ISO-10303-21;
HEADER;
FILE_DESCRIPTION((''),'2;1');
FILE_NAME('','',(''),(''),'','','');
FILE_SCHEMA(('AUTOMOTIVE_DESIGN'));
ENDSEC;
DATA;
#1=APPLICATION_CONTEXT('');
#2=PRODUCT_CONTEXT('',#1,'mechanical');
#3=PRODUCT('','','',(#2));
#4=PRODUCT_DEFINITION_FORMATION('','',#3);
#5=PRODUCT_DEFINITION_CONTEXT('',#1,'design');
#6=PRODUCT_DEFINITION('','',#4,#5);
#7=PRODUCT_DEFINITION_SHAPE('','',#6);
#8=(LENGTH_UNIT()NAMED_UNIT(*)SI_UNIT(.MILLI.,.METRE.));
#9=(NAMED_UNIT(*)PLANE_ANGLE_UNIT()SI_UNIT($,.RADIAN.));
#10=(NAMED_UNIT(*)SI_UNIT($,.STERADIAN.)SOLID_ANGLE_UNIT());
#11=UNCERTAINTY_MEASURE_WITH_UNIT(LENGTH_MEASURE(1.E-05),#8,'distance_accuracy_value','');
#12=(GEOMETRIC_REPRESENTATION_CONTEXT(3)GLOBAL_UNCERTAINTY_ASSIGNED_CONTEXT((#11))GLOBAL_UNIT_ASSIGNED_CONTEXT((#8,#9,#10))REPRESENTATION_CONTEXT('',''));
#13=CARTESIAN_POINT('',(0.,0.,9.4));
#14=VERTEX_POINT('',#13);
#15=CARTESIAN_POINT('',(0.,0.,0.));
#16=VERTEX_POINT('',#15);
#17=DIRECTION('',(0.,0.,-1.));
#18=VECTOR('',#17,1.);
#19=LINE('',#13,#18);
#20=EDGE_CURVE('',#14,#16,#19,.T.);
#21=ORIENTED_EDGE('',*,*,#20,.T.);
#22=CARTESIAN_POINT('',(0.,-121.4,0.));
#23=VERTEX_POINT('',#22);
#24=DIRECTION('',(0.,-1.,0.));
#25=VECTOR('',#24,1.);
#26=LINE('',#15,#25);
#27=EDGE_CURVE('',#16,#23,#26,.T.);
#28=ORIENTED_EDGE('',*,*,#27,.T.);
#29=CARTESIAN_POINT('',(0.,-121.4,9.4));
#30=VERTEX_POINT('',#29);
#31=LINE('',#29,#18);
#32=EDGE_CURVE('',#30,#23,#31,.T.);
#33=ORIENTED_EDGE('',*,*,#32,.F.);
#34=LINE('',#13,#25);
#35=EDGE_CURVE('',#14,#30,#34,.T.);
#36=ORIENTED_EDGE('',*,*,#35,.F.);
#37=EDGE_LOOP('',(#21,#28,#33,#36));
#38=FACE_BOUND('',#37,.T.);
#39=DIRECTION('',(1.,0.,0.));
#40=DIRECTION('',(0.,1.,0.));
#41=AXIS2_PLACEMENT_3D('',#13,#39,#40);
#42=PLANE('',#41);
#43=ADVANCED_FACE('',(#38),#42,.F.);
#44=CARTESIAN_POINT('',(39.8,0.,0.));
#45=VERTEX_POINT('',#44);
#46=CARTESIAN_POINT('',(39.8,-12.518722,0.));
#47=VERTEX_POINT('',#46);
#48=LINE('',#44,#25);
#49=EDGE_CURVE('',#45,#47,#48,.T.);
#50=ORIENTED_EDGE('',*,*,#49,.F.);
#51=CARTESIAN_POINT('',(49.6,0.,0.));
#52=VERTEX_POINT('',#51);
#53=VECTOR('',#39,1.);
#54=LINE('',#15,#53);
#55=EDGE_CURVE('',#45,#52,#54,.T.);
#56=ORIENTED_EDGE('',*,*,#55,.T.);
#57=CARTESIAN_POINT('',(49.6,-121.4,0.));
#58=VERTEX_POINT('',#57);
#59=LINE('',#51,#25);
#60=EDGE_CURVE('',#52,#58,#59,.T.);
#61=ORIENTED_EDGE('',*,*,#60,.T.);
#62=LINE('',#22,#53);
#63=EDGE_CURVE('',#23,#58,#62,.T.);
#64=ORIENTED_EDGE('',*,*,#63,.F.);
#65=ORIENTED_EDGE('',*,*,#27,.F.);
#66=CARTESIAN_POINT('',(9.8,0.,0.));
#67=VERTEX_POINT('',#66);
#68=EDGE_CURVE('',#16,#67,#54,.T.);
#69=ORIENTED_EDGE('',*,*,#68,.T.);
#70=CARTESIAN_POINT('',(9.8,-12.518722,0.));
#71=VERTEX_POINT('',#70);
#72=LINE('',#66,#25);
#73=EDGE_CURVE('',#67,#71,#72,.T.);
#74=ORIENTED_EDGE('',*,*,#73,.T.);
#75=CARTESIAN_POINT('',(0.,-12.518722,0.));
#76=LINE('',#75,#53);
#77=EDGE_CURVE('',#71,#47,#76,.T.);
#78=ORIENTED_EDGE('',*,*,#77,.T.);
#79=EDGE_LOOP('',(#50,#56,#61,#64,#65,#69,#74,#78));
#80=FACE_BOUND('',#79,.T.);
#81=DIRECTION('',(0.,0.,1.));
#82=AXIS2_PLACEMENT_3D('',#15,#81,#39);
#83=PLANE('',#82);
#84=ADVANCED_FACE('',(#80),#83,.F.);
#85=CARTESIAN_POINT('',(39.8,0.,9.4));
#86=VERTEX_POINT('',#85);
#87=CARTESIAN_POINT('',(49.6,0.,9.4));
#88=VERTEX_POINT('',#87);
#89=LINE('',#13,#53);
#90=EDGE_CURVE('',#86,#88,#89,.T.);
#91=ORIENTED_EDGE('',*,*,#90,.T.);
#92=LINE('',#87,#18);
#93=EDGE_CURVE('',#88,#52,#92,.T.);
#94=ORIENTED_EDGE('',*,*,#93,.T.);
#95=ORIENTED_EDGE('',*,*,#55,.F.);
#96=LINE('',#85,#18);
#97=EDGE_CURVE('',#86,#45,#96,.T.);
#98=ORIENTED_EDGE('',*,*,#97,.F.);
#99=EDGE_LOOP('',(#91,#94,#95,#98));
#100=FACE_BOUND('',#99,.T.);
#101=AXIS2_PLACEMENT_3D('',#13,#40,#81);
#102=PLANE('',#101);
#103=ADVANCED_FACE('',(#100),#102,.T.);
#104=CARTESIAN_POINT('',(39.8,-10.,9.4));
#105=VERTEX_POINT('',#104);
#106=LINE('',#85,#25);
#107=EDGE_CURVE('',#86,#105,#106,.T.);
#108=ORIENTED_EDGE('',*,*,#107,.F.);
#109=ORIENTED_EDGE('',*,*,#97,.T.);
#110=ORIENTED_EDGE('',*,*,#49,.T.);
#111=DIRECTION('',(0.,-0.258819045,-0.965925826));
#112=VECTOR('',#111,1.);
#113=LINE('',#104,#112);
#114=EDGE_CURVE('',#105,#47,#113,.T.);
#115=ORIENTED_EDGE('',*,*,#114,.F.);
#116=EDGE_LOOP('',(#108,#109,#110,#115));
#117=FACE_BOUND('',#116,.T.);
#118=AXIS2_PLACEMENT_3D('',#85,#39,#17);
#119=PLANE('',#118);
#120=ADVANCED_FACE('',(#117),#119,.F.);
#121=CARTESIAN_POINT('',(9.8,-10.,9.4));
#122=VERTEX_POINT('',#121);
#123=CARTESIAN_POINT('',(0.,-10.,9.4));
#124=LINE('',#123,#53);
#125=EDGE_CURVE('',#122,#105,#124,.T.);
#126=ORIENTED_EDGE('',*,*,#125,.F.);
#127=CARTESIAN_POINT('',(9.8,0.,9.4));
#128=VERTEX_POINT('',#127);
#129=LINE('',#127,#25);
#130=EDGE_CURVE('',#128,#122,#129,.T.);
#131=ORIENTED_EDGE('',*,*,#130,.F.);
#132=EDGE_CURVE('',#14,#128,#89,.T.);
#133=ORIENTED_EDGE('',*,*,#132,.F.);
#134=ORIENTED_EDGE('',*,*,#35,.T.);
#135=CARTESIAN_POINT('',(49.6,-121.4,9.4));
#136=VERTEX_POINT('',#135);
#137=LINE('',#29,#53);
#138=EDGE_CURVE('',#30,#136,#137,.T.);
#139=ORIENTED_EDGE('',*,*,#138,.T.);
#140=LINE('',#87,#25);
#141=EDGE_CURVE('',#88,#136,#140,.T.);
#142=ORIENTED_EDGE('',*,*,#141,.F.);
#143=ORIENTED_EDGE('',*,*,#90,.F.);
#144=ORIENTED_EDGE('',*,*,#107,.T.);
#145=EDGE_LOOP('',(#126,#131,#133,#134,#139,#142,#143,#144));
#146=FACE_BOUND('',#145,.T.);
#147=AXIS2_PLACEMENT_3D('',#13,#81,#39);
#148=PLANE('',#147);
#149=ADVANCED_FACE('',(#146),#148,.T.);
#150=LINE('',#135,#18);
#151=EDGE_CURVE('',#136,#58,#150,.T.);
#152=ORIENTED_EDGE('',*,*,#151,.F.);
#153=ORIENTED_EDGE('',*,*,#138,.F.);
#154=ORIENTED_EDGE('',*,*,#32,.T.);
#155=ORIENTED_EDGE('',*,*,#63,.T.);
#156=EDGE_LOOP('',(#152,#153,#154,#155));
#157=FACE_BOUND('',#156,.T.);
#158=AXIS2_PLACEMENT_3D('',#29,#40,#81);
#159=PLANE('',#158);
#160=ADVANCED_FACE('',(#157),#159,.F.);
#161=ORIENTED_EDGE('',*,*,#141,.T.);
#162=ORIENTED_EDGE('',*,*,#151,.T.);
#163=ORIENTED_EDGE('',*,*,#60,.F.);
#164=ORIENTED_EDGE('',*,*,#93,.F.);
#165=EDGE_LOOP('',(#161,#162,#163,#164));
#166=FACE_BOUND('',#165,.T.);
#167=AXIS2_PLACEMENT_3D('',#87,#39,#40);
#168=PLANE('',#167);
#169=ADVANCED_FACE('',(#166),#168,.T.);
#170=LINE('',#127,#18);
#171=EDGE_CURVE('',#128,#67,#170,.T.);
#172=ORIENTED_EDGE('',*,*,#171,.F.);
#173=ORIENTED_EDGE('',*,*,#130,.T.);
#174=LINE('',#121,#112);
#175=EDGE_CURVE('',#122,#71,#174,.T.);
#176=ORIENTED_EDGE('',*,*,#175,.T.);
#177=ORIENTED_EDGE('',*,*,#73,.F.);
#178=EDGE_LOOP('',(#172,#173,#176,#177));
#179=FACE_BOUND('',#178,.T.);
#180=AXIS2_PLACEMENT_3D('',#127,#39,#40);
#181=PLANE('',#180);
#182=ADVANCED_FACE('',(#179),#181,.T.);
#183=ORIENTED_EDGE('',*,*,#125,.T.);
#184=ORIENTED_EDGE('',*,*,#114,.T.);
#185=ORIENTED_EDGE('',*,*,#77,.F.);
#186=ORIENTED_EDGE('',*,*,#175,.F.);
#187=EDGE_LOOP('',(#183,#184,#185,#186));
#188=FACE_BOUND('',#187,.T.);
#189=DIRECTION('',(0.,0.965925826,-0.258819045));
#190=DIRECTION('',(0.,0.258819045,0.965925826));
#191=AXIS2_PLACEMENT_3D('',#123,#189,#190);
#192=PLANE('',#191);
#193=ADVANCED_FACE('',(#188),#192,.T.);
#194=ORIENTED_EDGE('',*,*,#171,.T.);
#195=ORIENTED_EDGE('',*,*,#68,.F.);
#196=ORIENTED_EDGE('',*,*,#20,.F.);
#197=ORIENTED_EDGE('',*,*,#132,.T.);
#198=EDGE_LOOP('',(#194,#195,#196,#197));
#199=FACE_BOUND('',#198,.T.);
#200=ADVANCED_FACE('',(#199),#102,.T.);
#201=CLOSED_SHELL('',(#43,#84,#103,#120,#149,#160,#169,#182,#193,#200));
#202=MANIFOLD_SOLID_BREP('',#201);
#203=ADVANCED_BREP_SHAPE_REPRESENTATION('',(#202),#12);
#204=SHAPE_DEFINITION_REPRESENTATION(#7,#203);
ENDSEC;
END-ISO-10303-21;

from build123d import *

# Parameters (mm, degrees)
EXTRUDE_1_DEPTH = 9.4
DRAFT_5_ANGLE   = -15


with BuildPart() as part:
    # 草图1 → 凸台-拉伸1 (new body)
    with BuildSketch(Plane.XY):
        Polygon((9.8, 0), (0, 0), (0, -121.4), (49.6, -121.4), (49.6, 0), (39.8, 0), (39.8, -10), (9.8, -10), align=None)
    extrude(amount=EXTRUDE_1_DEPTH)

    # 拔模5
    draft_5_faces = [part.faces().sort_by_distance(p)[0] for p in [
        (24.8, -10, 4.7),
    ]]
    draft(draft_5_faces, Plane.XY.offset(9.4), DRAFT_5_ANGLE)


solid = part.part
